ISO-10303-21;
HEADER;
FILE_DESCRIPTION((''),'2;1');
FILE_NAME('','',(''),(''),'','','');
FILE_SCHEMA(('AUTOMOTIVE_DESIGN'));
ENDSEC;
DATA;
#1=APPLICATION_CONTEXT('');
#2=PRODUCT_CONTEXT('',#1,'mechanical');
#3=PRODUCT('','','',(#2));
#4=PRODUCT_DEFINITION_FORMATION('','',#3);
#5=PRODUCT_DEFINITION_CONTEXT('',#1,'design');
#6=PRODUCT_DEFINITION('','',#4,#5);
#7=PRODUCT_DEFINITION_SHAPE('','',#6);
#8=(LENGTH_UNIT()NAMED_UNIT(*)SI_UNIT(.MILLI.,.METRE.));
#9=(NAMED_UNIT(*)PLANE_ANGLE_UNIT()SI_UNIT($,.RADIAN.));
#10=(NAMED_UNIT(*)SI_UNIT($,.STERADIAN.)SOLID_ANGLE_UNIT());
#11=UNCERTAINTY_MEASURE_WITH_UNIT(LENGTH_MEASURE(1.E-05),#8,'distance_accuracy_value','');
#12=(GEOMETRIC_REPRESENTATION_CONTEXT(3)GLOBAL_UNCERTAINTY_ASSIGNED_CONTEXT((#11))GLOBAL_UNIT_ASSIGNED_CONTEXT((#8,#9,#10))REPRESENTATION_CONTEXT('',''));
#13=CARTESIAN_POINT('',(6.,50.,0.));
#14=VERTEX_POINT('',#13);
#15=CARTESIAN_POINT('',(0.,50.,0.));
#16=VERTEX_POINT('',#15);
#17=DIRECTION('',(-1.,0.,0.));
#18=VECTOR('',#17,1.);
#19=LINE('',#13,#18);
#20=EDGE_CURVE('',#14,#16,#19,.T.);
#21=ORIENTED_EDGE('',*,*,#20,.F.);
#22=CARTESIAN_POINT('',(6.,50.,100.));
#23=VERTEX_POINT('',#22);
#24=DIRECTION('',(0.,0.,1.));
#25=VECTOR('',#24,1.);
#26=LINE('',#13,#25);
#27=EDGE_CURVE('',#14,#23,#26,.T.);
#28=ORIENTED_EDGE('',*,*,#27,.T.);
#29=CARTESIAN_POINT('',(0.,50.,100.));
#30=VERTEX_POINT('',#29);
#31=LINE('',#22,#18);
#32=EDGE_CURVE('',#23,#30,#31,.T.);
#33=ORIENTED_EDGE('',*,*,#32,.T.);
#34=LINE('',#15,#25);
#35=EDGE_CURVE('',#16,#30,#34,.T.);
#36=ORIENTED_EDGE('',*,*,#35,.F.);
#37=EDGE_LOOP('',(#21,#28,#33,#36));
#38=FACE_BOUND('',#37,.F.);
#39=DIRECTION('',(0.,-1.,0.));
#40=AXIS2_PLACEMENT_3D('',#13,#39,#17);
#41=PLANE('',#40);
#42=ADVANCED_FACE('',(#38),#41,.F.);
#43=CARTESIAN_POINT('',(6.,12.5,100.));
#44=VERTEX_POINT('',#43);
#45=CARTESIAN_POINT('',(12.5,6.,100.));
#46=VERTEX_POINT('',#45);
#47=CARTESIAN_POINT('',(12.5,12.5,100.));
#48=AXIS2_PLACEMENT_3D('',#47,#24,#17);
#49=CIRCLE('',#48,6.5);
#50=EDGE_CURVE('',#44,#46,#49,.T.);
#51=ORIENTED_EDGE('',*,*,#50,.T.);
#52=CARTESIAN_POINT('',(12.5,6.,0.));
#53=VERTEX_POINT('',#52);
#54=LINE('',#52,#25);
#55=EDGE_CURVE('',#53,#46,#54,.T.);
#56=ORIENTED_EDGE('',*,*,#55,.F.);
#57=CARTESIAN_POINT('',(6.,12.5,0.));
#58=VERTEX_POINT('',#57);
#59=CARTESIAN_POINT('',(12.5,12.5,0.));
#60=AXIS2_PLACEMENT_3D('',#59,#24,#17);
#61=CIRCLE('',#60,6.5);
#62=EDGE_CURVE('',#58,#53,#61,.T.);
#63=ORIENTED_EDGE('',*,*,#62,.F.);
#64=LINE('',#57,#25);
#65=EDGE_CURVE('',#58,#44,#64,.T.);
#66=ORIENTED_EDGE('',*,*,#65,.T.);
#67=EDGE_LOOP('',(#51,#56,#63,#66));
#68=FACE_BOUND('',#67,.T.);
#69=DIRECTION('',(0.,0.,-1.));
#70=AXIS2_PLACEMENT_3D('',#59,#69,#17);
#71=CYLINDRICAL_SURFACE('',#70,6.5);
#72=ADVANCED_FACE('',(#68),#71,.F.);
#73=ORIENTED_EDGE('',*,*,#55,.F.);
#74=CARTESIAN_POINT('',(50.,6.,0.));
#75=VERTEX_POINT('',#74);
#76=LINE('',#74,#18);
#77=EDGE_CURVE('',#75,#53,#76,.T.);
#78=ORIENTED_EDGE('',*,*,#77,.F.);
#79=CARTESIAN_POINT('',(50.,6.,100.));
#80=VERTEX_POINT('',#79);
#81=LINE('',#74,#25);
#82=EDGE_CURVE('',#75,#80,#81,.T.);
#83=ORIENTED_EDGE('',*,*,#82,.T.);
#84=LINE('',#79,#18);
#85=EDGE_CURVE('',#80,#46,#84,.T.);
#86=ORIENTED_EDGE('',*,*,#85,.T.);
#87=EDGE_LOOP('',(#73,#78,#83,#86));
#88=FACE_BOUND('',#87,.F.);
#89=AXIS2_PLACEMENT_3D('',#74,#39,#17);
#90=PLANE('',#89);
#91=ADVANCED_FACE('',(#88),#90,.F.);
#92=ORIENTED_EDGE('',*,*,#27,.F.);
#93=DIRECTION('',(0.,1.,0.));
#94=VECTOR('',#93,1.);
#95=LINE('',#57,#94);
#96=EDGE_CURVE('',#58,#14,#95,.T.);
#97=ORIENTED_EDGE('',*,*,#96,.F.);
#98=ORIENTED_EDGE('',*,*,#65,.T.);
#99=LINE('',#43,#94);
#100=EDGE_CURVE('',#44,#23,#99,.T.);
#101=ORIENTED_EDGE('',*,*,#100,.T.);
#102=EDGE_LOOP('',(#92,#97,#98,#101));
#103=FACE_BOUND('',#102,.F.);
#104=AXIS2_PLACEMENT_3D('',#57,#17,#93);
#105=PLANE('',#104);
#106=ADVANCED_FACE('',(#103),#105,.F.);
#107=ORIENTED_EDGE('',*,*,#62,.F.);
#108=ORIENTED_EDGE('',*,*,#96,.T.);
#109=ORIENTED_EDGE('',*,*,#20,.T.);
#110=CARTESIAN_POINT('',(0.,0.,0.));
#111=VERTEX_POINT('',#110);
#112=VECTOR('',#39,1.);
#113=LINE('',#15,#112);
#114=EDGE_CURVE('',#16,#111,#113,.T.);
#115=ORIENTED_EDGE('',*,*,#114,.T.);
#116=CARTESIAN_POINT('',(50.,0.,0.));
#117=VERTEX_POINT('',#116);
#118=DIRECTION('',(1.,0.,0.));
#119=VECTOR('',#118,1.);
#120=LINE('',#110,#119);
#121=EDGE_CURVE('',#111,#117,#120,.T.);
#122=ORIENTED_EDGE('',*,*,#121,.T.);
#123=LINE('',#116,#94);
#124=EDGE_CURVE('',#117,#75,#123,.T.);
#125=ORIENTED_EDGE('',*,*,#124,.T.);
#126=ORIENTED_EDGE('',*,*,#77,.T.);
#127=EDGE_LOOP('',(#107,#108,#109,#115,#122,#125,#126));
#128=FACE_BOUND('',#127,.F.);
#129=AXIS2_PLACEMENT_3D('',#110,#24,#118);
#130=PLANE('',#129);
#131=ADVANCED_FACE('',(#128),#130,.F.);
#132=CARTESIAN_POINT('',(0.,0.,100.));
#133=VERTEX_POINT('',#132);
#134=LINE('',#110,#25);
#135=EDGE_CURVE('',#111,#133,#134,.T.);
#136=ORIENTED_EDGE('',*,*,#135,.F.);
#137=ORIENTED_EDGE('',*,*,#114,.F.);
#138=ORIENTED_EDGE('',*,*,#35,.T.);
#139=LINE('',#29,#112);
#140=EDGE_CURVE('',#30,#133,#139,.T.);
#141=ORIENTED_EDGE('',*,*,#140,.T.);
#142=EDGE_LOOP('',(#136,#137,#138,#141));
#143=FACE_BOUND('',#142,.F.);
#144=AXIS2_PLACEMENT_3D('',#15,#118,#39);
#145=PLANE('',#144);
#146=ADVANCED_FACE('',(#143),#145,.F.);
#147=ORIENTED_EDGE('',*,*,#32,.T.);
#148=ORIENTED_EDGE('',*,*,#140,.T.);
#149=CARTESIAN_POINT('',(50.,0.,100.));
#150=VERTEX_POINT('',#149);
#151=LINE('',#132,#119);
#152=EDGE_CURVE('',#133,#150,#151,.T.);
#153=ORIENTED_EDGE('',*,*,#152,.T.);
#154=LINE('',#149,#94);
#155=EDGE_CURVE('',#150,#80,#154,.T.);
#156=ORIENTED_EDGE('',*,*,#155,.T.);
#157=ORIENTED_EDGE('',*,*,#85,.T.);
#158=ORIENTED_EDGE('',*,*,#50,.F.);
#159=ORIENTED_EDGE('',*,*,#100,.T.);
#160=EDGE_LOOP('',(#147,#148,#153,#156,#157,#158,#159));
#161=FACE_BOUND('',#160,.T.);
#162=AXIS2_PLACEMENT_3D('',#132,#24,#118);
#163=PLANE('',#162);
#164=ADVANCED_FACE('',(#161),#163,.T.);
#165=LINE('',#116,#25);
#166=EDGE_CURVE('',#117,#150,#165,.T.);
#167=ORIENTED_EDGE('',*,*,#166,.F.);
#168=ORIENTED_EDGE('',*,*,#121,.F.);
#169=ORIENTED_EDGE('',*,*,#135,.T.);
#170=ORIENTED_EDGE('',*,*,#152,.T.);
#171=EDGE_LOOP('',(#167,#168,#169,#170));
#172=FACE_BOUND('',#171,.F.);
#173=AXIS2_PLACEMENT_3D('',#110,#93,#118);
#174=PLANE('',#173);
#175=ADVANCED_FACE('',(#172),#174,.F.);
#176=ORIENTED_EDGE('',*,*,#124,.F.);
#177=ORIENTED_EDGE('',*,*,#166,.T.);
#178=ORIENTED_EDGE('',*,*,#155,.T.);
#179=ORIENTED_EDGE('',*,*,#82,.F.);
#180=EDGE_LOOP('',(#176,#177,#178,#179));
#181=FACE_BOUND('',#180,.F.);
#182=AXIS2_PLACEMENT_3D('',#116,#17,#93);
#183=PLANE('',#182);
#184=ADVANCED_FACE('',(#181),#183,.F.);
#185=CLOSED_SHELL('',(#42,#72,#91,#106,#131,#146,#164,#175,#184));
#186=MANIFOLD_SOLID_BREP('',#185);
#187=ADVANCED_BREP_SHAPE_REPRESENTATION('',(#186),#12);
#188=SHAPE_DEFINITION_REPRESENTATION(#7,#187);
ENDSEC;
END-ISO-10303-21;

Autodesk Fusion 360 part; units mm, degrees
sketch "スケッチ1" plane through (0, 0, 0) normal (0, 0, 1) x (1, 0, 0)
  line L0 (0, 50) -> (0, 0)
  line L1 (50, 6) -> (12.5, 6)
  line L2 (0, 0) -> (50, 0)
  line L3 (6, 12.5) -> (6, 50)
  arc A0 (6, 12.5) -> (12.5, 6) centre (12.5, 12.5) ccw
  line L4 (50, 0) -> (50, 6)
  line L5 (6, 50) -> (0, 50)
extrude "押し出し1" add sketch "スケッチ1" along normal blind 100
